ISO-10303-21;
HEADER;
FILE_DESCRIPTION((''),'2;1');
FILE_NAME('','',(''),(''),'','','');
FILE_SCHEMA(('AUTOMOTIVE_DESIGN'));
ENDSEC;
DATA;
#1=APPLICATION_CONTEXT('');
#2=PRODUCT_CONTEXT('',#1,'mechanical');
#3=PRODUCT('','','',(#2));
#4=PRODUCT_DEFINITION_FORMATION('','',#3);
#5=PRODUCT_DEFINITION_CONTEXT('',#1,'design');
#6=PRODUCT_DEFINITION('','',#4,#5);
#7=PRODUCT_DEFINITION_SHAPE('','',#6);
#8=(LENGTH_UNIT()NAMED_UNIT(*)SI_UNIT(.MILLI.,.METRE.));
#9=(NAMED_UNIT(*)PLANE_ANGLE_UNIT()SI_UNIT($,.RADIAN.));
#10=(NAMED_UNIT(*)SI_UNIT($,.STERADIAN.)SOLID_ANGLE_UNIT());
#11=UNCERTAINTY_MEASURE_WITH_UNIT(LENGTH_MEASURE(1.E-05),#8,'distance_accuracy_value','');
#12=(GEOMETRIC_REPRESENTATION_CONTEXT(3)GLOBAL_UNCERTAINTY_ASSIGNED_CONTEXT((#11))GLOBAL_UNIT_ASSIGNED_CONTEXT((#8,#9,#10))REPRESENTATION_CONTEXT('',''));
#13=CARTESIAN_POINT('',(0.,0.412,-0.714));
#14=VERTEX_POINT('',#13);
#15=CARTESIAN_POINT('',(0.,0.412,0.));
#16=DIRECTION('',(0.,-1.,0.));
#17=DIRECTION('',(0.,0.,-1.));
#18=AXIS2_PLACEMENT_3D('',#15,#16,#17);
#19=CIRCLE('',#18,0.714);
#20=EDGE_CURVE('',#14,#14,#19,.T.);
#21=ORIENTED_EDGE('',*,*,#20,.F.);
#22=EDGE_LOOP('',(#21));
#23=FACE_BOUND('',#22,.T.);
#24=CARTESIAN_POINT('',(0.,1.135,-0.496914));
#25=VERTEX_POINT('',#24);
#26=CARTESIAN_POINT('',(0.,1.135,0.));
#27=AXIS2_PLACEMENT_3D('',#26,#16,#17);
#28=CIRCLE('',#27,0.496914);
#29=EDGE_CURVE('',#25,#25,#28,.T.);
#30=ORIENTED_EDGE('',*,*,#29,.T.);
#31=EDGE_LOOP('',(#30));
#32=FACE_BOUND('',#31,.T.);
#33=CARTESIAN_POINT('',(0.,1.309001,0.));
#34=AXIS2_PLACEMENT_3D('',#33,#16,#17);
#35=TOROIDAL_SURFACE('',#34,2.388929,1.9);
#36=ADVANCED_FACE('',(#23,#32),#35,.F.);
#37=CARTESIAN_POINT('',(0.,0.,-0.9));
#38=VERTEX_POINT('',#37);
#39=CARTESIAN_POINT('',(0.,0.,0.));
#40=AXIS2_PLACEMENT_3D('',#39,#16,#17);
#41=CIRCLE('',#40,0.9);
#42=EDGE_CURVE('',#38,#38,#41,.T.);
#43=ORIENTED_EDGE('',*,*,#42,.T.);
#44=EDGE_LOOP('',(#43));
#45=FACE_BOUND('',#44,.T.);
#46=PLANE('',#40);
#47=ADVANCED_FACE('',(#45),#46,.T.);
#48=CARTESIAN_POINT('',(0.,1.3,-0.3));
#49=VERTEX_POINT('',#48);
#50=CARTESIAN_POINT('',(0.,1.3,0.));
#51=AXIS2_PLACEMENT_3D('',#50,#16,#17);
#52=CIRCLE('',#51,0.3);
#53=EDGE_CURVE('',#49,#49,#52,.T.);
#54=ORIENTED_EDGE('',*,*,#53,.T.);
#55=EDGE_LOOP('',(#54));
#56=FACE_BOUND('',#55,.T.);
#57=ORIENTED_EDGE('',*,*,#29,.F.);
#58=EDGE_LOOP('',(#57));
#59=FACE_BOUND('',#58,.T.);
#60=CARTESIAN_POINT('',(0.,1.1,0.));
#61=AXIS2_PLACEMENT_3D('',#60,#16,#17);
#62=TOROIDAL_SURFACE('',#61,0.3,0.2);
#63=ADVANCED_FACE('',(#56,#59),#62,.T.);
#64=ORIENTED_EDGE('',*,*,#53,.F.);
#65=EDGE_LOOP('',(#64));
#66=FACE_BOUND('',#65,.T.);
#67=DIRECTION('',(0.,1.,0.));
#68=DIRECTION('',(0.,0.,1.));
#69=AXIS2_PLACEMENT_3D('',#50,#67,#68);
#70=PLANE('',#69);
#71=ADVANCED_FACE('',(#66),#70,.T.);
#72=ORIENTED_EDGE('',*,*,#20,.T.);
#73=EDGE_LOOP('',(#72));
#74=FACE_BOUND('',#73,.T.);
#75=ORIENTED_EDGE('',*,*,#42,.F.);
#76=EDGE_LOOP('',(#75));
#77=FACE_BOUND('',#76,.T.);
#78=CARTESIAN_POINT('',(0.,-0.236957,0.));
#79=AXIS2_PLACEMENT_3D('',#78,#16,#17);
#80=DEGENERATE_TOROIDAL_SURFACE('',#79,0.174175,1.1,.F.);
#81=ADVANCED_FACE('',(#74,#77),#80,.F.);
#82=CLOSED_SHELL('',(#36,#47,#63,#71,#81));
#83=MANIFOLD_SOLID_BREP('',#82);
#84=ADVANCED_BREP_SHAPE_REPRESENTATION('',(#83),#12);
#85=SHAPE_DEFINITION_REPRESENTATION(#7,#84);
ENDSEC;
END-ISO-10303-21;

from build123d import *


with BuildPart() as part:
    # Sketch1 → Revolve1 (revolve)
    with BuildSketch(Plane.XY):
        with BuildLine():
            Line((0, 0), (0.9, 0))
            ThreePointArc((0.9, 0), (0.828391904, 0.21565751), (0.714, 0.412))
            ThreePointArc((0.714, 0.412), (0.569188592, 0.762610178), (0.496913687, 1.135))
            ThreePointArc((0.496913687, 1.135), (0.428452326, 1.253297097), (0.3, 1.3))
            Line((0.3, 1.3), (0, 1.3))
            Line((0, 1.3), (0, 0))
        make_face()
    revolve(axis=Axis((0, 0, 0), (0, 1, 0)))


solid = part.part
